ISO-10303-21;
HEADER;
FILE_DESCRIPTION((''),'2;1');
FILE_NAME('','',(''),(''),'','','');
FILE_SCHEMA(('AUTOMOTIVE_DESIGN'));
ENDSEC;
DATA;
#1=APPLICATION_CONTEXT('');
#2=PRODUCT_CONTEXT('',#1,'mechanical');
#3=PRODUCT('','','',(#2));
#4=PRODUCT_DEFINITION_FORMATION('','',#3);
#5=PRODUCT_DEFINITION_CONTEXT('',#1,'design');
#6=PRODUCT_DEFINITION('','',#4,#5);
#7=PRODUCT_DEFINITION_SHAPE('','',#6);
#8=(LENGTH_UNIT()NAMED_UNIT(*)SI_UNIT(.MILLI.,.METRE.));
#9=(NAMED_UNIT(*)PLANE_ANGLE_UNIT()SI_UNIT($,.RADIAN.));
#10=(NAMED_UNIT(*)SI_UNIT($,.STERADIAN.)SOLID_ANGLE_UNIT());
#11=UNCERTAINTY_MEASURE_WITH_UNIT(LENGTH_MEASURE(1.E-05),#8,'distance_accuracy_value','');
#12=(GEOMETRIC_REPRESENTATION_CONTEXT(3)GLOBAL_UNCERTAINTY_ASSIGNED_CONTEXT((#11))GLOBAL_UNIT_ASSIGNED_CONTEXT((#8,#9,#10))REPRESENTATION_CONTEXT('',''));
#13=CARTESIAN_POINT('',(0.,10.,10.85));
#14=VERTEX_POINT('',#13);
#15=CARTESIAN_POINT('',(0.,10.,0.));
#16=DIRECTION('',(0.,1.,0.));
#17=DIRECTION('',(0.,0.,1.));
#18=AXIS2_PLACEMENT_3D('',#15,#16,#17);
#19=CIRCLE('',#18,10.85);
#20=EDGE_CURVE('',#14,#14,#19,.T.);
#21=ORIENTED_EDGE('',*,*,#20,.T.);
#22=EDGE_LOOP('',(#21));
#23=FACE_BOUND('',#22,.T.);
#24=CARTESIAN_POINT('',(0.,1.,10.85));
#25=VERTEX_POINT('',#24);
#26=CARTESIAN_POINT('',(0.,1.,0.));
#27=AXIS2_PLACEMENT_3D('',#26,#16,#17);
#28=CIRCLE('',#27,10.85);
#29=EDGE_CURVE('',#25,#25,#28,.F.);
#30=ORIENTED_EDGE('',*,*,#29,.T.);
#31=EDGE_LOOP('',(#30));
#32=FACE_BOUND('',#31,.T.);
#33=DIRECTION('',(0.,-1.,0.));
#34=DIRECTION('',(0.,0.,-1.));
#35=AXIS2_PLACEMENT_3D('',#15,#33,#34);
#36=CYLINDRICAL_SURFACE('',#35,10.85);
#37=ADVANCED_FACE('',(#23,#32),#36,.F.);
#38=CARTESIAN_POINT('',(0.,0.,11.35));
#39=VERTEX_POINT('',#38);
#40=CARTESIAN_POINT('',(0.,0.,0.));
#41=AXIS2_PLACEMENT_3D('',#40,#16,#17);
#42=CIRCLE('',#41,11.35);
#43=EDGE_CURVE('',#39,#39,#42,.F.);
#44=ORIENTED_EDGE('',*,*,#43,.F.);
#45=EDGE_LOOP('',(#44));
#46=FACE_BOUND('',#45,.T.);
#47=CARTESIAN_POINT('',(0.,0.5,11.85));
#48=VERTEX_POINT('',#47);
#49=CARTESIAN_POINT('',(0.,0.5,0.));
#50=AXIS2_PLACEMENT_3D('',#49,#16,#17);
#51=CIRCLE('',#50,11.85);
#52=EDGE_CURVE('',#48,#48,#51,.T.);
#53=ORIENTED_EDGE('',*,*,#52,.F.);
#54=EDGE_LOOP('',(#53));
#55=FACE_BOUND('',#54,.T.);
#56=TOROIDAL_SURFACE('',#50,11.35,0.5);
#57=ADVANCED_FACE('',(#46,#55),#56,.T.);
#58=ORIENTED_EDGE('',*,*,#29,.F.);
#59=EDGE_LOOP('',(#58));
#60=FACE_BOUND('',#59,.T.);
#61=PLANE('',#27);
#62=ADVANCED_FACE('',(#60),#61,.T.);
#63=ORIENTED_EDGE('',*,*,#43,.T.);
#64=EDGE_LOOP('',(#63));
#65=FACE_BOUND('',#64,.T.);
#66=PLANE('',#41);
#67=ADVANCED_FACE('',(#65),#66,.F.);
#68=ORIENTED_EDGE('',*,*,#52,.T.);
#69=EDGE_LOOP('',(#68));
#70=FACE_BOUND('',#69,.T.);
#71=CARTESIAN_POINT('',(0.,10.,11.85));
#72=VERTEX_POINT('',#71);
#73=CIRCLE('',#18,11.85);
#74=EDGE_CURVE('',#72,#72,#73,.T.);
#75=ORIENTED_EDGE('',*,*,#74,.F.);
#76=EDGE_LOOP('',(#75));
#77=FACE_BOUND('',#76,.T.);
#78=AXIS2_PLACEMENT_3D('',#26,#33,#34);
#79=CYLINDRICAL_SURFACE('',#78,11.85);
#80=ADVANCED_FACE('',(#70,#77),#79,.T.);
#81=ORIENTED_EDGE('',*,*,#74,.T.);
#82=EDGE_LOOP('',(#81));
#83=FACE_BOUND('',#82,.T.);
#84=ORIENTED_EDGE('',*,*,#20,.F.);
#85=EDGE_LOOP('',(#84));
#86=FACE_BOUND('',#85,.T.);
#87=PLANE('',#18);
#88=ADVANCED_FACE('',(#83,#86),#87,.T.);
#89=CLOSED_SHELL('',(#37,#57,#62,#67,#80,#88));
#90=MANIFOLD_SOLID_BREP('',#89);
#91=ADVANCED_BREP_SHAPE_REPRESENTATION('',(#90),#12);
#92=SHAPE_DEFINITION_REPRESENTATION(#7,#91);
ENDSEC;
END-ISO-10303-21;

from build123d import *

# Parameters (mm, degrees)
SKETCH1_R           = 11.85
BOSS_EXTRUDE1_DEPTH = 1
SKETCH2_R           = 11.85
SKETCH2_R_2         = 10.85
BOSS_EXTRUDE2_DEPTH = 9
FILLET1_R           = 0.5


with BuildPart() as part:
    # Sketch1 → Boss-Extrude1 (new body)
    with BuildSketch(Plane(origin=(0, 0, 0), x_dir=(1, 0, 0), z_dir=(0, 1, 0))):
        Circle(SKETCH1_R)
    extrude(amount=BOSS_EXTRUDE1_DEPTH)

    # Sketch2 → Boss-Extrude2 (add)
    with BuildSketch(Plane(origin=(0, 1, 0), x_dir=(1, 0, 0), z_dir=(0, 1, 0))):
        Circle(SKETCH2_R)
        Circle(SKETCH2_R_2, mode=Mode.SUBTRACT)
    extrude(amount=BOSS_EXTRUDE2_DEPTH)

    # Fillet1
    fillet1_edges = [part.edges().sort_by_distance(p)[0] for p in [
        (-11.85, 0, 0),
    ]]
    fillet(fillet1_edges, radius=FILLET1_R)


solid = part.part
